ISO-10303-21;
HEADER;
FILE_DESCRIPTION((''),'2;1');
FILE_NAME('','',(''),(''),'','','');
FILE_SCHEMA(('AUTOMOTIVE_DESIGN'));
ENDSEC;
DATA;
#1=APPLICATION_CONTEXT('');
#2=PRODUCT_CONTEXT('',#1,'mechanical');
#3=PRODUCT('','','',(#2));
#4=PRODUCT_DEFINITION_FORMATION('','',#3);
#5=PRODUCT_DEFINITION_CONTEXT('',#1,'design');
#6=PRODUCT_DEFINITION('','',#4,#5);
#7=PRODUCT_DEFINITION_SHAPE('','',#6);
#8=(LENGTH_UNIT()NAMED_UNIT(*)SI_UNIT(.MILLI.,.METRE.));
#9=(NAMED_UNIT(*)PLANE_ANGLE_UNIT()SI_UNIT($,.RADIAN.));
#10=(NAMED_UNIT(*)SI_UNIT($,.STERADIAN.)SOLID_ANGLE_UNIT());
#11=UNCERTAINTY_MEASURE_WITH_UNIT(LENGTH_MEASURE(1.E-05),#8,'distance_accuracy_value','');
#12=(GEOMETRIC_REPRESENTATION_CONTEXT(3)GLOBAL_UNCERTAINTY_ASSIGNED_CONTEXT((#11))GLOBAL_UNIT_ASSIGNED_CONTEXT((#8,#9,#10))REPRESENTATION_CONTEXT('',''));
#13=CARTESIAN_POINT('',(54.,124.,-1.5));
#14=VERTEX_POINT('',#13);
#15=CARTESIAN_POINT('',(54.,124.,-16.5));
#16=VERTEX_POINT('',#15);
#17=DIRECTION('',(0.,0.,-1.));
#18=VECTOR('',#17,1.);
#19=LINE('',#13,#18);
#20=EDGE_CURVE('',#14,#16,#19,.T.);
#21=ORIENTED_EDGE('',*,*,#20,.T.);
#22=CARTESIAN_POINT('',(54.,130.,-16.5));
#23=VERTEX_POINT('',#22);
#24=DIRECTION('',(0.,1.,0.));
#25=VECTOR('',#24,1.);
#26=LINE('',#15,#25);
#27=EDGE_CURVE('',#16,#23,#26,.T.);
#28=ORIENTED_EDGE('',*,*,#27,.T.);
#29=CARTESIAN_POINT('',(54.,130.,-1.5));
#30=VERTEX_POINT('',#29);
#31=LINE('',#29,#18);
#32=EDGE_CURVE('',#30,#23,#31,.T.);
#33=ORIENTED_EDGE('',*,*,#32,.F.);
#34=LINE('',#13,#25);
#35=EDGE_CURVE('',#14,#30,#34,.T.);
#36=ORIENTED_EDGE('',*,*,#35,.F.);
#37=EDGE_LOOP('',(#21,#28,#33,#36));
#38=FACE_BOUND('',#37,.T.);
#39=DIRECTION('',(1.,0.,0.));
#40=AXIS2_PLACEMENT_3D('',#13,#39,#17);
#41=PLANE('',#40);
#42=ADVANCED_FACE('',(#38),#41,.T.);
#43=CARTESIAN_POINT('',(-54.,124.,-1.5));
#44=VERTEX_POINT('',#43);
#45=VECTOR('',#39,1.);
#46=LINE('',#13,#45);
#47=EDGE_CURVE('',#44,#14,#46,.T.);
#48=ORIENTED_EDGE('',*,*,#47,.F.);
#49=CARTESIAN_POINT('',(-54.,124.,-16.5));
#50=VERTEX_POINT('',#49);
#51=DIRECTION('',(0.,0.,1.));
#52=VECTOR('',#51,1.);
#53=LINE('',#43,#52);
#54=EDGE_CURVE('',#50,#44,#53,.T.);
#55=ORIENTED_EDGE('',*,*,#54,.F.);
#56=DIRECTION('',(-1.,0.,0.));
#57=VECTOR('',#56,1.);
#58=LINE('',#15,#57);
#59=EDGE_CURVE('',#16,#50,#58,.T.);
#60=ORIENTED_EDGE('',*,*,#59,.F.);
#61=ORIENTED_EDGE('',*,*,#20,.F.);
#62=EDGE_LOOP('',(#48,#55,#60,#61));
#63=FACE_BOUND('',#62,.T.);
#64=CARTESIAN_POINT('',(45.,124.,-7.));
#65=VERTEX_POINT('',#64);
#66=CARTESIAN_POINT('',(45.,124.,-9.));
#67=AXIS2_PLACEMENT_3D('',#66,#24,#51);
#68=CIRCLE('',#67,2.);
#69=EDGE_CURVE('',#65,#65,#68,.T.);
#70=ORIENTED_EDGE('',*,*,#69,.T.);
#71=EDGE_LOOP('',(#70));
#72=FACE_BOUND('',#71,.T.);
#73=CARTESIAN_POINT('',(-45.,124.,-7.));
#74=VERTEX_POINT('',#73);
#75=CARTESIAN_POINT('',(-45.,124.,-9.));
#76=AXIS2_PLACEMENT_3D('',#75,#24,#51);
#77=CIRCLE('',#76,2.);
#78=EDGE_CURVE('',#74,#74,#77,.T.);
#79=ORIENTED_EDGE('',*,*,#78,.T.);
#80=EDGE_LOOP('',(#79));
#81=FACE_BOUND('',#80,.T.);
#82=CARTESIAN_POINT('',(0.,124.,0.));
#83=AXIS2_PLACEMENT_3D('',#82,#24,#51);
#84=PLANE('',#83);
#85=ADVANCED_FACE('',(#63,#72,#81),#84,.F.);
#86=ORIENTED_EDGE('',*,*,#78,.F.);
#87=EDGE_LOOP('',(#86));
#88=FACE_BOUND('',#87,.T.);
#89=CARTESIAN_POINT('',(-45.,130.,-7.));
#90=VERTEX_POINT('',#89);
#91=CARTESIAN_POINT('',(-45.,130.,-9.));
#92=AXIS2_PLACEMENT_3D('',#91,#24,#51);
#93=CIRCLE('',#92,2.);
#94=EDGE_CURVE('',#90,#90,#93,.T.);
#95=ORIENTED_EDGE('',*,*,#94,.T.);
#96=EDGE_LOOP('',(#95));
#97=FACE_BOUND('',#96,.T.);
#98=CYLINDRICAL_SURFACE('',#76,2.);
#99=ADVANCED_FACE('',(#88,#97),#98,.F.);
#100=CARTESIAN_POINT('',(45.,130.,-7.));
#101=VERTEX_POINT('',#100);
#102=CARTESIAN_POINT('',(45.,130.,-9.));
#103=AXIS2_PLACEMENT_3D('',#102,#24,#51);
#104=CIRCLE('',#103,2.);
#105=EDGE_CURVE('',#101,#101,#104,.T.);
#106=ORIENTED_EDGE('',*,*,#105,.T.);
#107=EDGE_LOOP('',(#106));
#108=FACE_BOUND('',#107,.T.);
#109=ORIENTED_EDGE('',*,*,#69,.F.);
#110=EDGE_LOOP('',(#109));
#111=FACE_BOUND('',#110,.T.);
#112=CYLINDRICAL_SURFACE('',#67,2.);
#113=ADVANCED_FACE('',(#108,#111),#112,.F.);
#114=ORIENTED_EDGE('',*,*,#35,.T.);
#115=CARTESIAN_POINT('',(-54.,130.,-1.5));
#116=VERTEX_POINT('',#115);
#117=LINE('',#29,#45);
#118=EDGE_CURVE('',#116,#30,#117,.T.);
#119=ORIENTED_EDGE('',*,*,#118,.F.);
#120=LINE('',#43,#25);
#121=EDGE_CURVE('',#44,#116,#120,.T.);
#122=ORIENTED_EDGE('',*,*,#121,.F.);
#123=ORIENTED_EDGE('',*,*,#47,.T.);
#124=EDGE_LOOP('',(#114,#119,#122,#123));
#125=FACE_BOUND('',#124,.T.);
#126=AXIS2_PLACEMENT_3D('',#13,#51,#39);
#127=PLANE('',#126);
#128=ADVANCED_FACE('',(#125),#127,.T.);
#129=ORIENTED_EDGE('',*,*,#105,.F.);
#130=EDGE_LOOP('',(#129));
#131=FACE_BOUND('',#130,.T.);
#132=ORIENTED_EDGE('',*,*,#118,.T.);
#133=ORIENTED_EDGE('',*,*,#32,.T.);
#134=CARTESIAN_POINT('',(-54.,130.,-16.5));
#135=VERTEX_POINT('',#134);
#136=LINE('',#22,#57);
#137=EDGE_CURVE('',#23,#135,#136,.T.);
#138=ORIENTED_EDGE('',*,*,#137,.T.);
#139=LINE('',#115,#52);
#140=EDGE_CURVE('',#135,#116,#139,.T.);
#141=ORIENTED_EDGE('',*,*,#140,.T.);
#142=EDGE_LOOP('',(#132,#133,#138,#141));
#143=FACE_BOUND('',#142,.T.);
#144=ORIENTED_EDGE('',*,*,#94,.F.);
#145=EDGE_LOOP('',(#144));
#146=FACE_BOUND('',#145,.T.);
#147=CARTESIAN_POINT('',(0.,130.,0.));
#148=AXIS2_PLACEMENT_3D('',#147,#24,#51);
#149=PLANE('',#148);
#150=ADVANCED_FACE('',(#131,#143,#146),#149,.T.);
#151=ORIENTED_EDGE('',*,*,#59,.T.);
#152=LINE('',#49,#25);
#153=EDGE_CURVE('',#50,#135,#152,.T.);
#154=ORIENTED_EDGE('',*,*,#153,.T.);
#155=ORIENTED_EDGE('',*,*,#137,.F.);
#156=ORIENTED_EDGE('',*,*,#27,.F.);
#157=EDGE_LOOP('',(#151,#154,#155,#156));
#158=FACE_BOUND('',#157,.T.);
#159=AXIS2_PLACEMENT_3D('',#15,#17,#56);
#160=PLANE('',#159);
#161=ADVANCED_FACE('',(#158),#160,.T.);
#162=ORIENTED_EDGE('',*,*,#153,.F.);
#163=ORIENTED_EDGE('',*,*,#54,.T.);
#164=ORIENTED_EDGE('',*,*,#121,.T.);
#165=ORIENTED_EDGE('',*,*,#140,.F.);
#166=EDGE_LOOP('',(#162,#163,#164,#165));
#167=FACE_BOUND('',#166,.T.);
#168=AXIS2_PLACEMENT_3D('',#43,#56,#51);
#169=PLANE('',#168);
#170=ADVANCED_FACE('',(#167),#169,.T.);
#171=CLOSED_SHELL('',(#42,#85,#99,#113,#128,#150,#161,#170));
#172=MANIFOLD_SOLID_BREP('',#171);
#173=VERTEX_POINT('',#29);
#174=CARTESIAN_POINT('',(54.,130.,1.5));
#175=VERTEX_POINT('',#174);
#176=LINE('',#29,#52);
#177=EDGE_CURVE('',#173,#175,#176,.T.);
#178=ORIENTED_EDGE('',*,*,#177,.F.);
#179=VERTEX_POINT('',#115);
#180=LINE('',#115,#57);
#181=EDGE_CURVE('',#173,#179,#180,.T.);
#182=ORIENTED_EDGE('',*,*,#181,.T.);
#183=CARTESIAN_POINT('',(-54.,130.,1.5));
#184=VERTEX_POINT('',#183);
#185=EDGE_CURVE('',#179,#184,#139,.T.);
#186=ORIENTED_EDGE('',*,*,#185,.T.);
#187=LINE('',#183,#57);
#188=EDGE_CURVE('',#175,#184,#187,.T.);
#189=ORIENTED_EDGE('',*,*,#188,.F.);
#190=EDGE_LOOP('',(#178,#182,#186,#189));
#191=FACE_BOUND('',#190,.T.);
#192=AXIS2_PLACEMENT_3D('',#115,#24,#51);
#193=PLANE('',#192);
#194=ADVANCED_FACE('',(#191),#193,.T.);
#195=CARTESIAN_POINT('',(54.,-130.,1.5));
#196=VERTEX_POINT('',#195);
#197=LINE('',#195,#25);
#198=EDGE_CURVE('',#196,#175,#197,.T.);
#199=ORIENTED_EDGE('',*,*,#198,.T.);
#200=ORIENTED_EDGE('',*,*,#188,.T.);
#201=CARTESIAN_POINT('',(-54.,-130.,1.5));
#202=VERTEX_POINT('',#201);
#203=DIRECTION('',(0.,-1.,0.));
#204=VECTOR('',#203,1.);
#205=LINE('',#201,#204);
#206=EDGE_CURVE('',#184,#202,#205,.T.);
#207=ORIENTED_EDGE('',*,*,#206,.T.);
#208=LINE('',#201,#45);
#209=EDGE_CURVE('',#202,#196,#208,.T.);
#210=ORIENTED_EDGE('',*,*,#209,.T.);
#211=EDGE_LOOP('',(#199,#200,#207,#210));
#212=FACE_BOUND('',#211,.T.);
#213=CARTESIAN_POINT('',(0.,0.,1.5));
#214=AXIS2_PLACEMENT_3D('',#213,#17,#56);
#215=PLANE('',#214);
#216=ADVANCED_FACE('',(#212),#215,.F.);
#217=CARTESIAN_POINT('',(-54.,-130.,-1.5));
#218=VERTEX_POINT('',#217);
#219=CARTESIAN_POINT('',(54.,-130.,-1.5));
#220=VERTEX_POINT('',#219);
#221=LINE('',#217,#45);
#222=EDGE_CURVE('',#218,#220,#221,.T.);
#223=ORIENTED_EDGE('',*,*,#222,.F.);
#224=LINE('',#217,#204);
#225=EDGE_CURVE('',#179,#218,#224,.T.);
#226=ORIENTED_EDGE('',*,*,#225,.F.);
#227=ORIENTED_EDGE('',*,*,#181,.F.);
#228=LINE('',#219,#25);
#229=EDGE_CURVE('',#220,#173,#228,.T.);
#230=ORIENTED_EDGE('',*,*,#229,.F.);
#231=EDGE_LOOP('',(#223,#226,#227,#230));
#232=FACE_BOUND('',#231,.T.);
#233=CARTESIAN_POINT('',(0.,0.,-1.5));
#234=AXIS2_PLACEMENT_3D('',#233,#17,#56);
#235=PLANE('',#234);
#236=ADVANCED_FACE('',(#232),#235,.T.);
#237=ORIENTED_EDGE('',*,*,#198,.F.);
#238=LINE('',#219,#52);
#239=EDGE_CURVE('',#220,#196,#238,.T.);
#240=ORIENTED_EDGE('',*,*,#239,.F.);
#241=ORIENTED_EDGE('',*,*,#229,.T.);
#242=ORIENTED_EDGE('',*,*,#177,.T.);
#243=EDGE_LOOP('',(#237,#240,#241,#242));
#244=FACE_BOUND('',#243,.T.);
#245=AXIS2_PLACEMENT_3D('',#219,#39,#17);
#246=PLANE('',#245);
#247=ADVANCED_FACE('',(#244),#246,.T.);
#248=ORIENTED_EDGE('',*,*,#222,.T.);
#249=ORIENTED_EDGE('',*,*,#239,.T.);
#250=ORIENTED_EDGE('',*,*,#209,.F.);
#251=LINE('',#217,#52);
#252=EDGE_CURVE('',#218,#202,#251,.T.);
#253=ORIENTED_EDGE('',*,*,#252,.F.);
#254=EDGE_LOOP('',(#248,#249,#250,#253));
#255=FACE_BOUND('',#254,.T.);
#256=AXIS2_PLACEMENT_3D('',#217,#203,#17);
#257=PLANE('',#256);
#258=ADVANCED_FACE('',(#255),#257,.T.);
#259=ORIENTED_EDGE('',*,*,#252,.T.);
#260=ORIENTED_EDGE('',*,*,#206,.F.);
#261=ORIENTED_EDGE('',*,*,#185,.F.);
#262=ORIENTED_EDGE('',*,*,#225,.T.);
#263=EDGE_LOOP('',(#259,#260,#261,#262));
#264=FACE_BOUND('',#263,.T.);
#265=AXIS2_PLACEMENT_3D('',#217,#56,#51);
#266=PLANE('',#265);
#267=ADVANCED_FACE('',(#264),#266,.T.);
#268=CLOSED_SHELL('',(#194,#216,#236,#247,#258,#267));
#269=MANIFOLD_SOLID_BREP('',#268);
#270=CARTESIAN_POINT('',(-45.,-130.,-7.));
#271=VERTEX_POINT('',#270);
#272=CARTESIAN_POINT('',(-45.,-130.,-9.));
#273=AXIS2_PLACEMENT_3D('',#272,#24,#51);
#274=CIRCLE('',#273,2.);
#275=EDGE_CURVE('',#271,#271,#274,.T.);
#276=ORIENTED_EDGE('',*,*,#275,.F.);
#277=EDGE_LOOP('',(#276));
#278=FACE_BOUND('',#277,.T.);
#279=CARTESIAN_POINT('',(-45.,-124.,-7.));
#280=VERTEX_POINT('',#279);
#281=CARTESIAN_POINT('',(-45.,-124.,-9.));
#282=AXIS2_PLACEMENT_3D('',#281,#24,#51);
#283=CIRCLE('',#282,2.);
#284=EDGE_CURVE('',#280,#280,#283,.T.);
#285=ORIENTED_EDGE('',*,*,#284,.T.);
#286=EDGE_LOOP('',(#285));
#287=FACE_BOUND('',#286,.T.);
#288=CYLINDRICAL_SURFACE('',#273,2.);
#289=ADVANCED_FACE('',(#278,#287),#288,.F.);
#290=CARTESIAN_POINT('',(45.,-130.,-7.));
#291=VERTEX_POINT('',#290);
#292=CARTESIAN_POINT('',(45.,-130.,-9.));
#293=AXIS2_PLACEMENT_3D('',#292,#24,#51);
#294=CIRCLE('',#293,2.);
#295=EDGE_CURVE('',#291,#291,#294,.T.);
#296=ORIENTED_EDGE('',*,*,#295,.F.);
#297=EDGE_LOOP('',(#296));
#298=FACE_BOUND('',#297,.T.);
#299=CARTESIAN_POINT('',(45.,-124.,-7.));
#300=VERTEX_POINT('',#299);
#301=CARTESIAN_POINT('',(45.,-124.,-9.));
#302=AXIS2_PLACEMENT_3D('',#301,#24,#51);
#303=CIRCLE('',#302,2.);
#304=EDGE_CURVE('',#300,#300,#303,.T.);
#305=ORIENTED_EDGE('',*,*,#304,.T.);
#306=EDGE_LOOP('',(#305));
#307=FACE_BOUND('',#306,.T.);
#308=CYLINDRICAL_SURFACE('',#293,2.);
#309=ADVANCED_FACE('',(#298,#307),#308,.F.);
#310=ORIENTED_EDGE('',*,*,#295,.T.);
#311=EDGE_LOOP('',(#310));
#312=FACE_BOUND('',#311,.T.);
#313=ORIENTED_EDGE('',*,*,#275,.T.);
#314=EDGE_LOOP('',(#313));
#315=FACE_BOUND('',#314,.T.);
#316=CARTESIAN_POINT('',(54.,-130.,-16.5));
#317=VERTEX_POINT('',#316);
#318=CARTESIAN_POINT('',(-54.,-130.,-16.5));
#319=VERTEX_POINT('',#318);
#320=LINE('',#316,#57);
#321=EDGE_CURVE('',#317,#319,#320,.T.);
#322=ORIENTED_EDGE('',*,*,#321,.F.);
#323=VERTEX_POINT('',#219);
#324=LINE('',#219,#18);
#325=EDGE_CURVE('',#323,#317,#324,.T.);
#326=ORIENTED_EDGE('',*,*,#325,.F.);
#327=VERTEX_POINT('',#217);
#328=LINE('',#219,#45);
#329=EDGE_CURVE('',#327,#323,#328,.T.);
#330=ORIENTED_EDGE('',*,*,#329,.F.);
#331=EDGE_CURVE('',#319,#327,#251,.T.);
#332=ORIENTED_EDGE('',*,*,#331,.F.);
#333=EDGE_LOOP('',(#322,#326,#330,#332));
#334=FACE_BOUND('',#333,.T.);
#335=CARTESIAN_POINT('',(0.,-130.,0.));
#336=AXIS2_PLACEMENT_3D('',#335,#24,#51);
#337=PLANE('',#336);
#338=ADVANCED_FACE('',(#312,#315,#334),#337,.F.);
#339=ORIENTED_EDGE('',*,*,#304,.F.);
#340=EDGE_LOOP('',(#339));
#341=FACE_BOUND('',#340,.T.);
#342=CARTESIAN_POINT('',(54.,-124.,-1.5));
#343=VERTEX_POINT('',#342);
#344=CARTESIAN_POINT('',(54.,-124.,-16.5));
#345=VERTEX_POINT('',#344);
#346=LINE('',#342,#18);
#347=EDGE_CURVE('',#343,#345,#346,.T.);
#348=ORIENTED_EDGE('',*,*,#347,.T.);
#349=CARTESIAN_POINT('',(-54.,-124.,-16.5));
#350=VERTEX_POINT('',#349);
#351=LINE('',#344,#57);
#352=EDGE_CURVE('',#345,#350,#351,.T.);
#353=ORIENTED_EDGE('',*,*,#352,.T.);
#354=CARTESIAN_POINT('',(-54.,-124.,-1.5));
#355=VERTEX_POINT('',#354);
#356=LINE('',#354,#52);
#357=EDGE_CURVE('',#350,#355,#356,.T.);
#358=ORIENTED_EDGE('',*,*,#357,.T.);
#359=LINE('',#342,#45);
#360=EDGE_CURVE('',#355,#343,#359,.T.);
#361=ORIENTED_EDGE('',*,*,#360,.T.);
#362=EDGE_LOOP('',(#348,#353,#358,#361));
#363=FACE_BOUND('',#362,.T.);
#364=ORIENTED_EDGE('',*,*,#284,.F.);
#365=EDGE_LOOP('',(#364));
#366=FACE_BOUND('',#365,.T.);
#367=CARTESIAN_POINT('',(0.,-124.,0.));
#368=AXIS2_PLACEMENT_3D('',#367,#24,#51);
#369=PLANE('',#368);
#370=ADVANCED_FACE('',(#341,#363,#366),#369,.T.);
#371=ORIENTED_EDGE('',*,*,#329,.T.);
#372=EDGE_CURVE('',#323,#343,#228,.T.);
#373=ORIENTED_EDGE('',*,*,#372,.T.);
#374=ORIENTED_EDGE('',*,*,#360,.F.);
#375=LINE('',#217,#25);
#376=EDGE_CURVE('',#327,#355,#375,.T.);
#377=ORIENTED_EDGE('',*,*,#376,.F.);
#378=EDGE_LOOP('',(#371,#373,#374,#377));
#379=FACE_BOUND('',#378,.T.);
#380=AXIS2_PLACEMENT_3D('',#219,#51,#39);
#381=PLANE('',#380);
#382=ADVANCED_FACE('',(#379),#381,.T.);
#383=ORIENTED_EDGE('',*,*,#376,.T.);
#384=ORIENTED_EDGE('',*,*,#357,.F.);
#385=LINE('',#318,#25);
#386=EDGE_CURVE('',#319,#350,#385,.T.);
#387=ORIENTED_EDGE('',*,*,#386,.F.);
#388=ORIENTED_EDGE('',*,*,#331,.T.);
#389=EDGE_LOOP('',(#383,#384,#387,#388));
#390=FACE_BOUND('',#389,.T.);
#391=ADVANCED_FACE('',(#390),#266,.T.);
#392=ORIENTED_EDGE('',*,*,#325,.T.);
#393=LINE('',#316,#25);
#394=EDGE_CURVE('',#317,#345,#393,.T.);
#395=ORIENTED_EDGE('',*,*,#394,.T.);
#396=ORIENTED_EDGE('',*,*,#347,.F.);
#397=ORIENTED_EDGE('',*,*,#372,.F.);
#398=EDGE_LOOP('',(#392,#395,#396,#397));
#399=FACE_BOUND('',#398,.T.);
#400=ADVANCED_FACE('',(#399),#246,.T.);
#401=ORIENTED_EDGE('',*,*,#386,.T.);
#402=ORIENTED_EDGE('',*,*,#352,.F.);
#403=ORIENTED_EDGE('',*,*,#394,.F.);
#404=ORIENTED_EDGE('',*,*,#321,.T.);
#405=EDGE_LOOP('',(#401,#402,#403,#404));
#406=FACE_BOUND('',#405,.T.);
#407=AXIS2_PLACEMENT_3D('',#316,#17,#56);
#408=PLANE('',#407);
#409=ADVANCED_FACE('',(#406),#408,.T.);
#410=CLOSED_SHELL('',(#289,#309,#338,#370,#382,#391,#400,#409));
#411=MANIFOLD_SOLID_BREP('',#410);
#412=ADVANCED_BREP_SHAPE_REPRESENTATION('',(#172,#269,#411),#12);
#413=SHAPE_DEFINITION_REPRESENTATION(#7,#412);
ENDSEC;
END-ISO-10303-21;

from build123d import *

# Parameters (mm, degrees)
BOSS_EXTRUDE1_DEPTH      = 1.5
BOSS_EXTRUDE1_DEPTH_BACK = 1.5
SKETCH1_W                = 108
SKETCH1_H                = 260
SKETCH2_W                = 108
SKETCH2_H                = 15
SKETCH2_R                = 2
BOSS_EXTRUDE2_DEPTH      = 6
LPATTERN1_COUNT          = 2
LPATTERN1_PITCH          = 254


with BuildPart() as part:
    # Sketch1 → Boss-Extrude1 (new, two sides: drawn at the far end of the back side and taken through both)
    with BuildSketch(Plane.XY.offset(-BOSS_EXTRUDE1_DEPTH_BACK)):
        Rectangle(SKETCH1_W, SKETCH1_H)
    extrude(amount=BOSS_EXTRUDE1_DEPTH + BOSS_EXTRUDE1_DEPTH_BACK)


with BuildPart() as body_2:
    # Sketch2 → Boss-Extrude2 (new body)
    with BuildSketch(Plane(origin=(0, 130, 0), x_dir=(1, 0, 0), z_dir=(0, 1, 0))):
        with Locations((0, 9)):
            Rectangle(SKETCH2_W, SKETCH2_H)
        with Locations((45, 9)):
            Circle(SKETCH2_R, mode=Mode.SUBTRACT)
        with Locations((-45, 9)):
            Circle(SKETCH2_R, mode=Mode.SUBTRACT)
    boss_extrude2 = extrude(amount=-BOSS_EXTRUDE2_DEPTH)


with BuildPart() as lpattern1_1:
    # LPattern1: Boss-Extrude2 ×2
    with Locations(*[(0, -i * LPATTERN1_PITCH, 0) for i in range(1, LPATTERN1_COUNT)]):
        add(boss_extrude2)


solid = Compound([part.part, body_2.part, lpattern1_1.part])
